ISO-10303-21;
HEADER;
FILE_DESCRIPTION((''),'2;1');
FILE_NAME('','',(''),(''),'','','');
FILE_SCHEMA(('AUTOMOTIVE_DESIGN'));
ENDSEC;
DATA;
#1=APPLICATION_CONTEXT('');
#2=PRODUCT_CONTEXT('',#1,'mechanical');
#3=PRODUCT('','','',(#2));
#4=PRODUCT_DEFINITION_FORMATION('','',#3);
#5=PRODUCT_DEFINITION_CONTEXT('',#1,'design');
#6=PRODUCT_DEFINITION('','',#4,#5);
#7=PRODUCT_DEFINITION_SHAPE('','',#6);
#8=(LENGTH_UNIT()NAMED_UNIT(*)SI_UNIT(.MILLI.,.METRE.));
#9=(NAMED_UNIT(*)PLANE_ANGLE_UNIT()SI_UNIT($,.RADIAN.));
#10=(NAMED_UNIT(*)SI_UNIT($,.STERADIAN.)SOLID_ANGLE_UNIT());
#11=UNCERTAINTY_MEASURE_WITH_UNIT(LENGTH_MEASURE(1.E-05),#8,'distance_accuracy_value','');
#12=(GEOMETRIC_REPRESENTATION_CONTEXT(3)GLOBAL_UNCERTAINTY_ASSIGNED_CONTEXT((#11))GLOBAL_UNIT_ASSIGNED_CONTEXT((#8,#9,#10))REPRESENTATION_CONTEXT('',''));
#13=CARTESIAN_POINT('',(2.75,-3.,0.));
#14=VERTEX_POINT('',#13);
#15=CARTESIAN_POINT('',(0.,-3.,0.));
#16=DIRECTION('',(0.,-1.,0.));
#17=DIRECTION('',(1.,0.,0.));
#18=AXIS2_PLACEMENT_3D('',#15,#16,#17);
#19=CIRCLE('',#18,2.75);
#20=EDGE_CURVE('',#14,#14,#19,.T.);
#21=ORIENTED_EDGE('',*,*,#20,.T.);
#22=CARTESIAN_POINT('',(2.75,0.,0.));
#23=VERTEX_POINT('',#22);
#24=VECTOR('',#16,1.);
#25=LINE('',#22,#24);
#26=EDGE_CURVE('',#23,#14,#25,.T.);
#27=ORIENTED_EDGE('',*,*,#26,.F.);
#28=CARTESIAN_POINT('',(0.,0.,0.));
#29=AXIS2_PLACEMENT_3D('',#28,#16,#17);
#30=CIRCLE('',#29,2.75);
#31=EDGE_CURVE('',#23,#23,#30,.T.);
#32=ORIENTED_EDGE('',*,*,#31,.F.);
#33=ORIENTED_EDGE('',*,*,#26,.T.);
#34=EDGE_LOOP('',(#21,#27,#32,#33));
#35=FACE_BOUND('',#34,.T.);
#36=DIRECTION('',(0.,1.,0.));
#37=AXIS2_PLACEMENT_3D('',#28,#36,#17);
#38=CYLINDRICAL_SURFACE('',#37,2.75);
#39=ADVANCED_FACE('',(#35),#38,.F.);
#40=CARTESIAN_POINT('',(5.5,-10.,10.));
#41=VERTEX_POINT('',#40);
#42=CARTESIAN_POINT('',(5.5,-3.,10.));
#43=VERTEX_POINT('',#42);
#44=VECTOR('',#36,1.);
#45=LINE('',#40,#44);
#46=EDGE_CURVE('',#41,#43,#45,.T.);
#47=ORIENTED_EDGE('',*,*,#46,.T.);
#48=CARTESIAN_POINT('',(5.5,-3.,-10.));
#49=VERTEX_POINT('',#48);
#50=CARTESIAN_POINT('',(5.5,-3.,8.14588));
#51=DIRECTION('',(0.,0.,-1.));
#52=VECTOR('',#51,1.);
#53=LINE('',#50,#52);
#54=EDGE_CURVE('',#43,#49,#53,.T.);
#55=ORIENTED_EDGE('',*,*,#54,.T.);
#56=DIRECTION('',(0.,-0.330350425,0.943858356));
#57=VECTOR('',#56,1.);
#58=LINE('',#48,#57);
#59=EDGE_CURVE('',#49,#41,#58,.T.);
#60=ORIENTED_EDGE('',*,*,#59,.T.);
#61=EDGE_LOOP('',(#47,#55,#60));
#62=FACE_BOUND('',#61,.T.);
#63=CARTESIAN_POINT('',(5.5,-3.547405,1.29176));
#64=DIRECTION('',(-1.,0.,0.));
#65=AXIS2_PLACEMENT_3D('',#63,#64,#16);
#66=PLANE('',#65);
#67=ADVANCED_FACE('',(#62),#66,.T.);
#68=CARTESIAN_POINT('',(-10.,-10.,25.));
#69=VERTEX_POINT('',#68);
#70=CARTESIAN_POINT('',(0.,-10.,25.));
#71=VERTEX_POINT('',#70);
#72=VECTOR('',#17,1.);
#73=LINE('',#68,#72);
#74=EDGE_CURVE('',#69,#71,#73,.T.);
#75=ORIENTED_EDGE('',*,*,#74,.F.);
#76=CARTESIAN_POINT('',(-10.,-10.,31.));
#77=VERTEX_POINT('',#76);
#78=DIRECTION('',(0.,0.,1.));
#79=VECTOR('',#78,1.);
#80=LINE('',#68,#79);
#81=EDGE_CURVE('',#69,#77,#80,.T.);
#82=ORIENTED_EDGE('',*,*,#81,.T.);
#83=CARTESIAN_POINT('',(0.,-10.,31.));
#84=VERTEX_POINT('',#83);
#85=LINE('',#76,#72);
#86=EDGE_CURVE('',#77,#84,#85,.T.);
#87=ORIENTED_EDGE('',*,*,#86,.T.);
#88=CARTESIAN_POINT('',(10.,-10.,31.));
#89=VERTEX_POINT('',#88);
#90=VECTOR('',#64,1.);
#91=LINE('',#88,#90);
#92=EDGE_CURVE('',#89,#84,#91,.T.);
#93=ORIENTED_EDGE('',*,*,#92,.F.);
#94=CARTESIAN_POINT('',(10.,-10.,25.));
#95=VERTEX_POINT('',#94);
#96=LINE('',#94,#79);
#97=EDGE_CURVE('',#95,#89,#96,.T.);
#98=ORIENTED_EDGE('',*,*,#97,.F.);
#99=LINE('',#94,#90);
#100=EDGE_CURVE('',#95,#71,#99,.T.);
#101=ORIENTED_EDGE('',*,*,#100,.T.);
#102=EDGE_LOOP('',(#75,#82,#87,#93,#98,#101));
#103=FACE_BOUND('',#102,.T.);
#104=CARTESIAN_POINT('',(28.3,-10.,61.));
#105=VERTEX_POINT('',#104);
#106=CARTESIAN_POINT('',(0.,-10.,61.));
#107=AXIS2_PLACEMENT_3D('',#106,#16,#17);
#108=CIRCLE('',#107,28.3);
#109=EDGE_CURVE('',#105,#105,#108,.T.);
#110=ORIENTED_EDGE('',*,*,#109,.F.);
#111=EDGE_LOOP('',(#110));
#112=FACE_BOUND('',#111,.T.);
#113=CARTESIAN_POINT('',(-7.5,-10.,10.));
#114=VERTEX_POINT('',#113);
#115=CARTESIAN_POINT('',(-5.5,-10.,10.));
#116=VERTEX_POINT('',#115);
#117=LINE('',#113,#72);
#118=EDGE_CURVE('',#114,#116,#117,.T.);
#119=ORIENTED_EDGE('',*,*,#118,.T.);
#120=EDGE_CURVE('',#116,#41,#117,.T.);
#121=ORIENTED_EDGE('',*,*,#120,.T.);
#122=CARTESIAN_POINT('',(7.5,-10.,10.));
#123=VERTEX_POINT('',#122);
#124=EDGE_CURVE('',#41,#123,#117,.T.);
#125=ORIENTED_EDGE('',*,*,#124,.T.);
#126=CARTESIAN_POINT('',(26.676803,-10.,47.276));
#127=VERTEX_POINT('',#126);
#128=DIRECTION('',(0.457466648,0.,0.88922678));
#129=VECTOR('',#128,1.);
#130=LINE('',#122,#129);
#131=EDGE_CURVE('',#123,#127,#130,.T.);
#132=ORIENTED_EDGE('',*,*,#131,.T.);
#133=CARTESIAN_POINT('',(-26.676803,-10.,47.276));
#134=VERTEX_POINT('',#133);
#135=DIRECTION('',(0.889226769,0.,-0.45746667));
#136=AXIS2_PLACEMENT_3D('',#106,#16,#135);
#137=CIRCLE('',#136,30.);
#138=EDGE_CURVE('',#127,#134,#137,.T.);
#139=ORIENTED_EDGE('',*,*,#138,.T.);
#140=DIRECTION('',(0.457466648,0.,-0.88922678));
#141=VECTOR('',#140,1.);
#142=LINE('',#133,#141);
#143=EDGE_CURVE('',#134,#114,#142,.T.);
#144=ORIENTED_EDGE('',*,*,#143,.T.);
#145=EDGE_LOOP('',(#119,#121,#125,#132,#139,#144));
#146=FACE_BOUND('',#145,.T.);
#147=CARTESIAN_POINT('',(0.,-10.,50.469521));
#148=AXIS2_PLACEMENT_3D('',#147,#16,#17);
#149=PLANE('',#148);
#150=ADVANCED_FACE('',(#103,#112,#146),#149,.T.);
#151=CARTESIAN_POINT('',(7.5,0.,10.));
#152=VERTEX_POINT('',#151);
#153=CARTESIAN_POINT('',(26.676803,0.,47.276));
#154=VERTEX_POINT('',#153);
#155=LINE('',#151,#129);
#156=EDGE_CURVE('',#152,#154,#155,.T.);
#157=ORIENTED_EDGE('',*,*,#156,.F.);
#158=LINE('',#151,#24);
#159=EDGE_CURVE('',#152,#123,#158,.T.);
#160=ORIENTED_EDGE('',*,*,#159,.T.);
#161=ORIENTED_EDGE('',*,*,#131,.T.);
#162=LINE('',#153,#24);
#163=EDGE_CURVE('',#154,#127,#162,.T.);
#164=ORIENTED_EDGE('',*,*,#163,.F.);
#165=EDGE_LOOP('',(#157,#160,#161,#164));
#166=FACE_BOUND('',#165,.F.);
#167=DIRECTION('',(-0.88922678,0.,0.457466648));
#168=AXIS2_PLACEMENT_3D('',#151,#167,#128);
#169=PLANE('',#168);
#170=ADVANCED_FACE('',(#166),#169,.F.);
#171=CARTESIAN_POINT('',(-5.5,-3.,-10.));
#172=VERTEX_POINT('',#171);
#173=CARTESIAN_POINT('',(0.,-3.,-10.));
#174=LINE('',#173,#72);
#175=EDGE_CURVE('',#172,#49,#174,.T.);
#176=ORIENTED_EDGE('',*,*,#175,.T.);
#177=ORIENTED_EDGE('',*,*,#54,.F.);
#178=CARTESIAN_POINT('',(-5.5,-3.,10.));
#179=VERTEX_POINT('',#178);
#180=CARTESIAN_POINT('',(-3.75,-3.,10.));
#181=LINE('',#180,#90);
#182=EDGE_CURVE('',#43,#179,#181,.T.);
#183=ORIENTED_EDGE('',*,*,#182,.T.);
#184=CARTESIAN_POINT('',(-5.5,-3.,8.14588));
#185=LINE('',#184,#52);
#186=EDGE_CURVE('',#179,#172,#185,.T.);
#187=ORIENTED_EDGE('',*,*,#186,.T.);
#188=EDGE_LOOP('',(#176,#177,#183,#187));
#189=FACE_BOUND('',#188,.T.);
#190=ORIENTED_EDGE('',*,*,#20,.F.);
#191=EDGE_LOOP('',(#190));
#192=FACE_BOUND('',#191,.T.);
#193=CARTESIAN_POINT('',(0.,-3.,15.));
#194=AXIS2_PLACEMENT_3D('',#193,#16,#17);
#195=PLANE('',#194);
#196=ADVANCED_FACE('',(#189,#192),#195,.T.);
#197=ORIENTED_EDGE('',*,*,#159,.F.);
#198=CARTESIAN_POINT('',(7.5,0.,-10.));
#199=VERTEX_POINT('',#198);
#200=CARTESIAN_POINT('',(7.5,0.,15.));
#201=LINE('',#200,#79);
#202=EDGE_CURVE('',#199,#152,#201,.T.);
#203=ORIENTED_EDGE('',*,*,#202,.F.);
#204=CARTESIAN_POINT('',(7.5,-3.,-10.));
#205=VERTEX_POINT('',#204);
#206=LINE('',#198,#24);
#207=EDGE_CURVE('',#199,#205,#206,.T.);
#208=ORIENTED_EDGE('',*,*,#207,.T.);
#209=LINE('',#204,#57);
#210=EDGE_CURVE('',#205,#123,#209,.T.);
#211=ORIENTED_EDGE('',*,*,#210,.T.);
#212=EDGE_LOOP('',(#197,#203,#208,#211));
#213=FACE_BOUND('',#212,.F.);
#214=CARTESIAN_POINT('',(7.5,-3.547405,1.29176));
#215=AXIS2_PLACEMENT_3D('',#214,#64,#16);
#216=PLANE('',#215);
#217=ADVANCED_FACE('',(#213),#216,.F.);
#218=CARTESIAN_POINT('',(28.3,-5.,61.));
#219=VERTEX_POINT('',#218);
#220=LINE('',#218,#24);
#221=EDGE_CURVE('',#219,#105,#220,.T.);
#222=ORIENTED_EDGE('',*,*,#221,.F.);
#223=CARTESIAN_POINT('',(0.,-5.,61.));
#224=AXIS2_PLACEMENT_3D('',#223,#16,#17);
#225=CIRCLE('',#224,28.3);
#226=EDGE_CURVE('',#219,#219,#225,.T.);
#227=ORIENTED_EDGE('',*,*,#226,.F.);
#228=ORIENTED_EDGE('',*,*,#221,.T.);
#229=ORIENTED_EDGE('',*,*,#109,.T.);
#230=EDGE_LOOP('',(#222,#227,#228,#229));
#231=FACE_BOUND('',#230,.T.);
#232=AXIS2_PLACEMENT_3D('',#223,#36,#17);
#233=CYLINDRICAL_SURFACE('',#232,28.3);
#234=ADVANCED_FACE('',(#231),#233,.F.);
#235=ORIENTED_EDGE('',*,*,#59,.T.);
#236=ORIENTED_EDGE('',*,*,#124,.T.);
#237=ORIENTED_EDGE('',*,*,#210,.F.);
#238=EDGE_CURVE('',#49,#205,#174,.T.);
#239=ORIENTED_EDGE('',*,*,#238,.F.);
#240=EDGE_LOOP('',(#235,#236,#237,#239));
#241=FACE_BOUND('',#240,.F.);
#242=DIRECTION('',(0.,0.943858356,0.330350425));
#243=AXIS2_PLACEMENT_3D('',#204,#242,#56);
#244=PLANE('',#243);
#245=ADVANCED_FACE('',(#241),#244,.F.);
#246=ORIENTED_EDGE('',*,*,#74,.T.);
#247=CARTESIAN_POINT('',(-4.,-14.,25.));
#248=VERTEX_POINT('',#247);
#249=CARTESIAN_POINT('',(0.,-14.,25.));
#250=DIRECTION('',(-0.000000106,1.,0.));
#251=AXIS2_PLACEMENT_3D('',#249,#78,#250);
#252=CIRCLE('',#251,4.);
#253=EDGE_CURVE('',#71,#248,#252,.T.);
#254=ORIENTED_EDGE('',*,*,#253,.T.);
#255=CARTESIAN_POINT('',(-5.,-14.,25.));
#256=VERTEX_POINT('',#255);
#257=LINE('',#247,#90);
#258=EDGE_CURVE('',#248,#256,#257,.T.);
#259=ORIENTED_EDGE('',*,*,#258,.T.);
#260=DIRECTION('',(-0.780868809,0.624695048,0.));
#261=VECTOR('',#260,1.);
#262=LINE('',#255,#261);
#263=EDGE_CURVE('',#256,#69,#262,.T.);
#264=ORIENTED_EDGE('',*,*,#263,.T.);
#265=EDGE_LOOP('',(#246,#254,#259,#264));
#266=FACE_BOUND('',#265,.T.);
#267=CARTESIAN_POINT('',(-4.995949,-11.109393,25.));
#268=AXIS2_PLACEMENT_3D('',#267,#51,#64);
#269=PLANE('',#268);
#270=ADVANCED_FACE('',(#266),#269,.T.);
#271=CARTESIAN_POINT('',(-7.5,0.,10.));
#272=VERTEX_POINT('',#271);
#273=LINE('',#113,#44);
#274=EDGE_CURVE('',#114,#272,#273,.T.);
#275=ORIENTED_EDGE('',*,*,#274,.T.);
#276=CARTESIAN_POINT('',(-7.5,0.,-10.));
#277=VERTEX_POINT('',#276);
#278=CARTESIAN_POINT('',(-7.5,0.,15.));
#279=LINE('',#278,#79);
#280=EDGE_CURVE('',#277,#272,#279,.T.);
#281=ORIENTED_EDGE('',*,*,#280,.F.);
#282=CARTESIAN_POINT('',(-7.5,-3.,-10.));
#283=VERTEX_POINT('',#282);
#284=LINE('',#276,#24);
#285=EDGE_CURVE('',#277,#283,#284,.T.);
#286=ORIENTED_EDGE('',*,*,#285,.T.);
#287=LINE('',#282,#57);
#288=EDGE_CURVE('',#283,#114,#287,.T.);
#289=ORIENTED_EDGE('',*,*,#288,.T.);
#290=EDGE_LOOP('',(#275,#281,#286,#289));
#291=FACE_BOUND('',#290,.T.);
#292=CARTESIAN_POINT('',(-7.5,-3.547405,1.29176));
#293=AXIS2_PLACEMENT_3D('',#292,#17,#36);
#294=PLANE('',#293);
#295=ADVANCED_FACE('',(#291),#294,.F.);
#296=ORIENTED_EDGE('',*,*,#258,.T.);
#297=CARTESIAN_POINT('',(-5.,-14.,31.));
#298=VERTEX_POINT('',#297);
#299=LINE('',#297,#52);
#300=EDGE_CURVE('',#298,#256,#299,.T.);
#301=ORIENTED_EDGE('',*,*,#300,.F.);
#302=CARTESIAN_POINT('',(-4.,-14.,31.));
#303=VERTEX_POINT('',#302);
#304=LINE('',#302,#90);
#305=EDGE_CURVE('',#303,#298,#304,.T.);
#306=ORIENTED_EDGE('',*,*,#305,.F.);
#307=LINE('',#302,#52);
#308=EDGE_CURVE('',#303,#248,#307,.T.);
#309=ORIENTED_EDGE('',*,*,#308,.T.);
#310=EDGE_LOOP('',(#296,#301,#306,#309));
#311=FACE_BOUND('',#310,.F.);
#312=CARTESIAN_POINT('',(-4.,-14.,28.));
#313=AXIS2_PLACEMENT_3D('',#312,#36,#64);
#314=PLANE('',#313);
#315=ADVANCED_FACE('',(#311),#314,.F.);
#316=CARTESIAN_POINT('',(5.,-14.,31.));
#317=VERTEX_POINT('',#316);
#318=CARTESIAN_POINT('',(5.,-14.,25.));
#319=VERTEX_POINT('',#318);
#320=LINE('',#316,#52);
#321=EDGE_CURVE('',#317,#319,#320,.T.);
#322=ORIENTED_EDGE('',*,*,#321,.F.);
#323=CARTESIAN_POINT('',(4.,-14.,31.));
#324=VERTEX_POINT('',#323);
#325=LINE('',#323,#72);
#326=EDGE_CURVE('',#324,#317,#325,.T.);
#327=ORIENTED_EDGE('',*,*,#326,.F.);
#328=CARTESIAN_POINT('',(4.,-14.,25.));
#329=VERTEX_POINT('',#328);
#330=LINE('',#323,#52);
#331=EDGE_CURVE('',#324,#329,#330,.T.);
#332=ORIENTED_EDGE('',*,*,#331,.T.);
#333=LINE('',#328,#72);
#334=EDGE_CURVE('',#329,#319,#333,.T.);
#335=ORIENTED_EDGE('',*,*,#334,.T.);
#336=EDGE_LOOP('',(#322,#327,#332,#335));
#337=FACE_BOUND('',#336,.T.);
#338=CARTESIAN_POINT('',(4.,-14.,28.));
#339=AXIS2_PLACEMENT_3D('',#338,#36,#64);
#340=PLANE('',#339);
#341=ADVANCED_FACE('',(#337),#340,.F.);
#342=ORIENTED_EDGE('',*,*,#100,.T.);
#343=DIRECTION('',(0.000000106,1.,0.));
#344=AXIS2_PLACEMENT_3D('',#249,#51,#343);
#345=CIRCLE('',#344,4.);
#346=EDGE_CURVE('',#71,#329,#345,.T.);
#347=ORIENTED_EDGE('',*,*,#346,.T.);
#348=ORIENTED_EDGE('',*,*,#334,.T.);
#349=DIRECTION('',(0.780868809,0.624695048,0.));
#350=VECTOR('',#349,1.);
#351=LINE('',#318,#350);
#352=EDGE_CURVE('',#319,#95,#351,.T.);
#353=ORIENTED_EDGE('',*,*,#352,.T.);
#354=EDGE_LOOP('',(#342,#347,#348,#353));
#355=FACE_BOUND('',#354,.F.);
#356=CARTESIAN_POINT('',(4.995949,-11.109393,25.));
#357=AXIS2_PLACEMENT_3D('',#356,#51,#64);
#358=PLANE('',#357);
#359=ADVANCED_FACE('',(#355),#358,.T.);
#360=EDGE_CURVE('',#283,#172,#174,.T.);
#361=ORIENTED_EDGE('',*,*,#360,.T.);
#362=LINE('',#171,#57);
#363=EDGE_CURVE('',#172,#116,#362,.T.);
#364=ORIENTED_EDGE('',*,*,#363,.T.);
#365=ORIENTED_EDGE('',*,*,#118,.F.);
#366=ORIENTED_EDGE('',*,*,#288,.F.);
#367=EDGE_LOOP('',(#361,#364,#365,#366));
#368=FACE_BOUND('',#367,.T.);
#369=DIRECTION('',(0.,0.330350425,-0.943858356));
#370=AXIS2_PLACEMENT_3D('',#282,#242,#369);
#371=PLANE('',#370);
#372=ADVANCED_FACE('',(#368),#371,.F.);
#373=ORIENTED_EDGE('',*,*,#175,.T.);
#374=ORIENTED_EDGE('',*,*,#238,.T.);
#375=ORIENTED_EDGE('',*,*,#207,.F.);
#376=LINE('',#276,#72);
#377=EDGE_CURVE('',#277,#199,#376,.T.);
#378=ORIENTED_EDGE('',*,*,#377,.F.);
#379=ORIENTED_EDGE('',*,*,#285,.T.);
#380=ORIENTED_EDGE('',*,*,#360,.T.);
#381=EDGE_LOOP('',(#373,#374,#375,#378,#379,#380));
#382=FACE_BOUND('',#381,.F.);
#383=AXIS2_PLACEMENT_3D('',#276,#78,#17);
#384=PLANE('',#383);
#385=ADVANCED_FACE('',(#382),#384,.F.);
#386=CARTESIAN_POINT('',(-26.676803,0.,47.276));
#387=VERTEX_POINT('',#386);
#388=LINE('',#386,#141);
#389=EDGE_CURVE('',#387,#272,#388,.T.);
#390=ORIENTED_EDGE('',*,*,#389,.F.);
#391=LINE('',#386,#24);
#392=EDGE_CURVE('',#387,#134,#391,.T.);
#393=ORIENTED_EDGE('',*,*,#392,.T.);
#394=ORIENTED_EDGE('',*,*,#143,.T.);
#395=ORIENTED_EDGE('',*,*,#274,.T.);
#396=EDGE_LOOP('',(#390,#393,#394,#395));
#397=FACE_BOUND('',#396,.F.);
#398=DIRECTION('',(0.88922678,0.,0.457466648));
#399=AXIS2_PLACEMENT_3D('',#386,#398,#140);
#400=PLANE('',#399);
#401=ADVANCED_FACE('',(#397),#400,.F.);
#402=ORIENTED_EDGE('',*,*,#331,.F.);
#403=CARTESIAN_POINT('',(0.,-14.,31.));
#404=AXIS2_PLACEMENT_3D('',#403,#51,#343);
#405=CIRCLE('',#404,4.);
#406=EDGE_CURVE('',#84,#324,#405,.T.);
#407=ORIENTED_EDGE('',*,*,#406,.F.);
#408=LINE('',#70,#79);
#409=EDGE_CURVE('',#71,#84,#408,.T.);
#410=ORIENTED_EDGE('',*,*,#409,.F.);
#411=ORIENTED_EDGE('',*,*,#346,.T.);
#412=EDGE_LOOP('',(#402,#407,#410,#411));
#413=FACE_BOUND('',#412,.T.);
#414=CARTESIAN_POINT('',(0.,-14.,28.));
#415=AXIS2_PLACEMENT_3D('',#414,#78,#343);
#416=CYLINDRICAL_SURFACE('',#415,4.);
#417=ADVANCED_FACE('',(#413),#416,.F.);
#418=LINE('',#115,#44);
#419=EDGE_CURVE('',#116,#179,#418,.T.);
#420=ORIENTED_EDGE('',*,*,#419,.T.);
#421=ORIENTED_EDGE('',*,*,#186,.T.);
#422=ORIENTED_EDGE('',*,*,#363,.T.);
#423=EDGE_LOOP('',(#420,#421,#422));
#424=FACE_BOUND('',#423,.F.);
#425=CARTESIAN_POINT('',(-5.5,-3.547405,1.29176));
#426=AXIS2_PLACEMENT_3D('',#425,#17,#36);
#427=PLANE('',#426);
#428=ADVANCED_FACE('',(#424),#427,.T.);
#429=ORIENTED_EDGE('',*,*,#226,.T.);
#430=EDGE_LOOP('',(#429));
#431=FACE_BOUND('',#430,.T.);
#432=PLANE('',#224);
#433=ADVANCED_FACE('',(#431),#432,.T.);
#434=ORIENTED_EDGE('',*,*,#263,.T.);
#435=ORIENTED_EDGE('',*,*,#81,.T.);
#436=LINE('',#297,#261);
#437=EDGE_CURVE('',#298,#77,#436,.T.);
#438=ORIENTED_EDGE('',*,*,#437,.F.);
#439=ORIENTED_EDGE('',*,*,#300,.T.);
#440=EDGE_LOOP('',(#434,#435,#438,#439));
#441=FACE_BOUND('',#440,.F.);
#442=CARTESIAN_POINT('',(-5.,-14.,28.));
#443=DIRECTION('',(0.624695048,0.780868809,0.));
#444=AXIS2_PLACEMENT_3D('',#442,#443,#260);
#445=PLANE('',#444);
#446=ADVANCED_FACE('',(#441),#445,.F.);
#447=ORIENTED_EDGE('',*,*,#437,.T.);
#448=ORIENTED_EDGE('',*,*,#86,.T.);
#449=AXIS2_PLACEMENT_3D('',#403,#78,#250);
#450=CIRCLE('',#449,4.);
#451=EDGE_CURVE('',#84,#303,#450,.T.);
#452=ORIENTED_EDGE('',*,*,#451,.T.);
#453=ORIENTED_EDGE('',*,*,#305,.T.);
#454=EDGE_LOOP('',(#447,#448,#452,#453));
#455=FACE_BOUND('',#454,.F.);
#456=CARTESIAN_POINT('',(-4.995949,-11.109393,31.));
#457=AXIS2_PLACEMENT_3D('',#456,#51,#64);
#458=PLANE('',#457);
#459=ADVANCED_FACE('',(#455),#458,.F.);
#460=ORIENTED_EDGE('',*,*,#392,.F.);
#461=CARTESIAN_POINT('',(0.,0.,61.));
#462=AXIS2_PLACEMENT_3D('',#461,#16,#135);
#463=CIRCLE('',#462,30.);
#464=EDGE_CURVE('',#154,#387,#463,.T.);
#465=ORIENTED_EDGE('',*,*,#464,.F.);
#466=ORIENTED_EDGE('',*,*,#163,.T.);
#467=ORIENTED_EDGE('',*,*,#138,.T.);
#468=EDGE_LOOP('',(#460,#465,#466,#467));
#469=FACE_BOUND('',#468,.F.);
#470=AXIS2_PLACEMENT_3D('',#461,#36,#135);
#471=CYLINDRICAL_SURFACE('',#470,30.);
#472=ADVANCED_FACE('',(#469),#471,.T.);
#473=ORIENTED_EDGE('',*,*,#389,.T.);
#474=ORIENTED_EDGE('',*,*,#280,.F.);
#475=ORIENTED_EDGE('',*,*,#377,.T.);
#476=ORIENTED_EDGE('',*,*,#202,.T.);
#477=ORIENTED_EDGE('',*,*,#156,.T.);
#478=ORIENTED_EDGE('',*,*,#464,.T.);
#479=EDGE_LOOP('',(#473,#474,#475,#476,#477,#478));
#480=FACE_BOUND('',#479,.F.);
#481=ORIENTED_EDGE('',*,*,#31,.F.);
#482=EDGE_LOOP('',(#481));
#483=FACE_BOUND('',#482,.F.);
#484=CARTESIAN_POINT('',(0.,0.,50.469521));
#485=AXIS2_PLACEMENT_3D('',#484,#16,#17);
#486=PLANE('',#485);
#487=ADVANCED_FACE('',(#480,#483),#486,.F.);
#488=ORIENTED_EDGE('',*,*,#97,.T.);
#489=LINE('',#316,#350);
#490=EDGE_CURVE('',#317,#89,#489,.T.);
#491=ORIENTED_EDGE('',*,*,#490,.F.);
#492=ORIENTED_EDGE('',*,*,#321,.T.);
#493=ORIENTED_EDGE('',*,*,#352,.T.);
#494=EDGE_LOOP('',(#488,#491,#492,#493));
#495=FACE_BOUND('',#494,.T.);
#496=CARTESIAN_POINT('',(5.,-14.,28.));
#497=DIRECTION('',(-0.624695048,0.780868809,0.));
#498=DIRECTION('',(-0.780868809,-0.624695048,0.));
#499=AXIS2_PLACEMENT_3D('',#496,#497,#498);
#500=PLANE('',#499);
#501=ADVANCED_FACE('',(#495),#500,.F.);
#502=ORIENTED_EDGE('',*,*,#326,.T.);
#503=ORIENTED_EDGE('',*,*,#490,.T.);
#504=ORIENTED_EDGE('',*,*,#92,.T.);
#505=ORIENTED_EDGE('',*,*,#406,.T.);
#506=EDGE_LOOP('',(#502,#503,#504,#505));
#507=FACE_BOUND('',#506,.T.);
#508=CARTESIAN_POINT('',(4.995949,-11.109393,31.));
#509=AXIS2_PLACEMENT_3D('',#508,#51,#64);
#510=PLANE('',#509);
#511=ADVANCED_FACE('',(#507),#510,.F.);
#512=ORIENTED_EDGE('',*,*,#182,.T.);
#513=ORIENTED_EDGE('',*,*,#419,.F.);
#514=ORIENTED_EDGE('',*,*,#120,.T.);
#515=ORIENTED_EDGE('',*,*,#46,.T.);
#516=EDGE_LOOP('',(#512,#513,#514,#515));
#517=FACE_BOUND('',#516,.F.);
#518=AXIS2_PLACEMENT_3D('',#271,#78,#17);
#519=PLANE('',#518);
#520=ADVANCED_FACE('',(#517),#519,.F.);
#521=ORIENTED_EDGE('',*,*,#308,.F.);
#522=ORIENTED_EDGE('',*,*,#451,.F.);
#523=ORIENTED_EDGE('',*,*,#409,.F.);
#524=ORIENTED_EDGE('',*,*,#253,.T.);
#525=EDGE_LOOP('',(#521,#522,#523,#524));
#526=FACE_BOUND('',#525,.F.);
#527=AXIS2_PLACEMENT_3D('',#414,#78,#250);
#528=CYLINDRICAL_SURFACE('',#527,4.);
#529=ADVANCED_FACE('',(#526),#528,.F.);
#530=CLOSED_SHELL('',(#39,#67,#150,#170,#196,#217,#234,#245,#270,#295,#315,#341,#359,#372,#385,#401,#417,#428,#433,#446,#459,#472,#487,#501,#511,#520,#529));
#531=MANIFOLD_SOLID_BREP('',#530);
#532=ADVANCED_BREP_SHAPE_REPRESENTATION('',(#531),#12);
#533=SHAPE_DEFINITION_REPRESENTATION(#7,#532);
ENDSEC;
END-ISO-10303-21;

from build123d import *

# Parameters (mm, degrees)
SKETCH_W     = 15
SKETCH_H     = 50
SKETCH_R     = 2.75
PAD_DEPTH    = 3
PAD002_DEPTH = 10
SKETCH004_R  = 28.3
POCKET_DEPTH = 5
PAD003_DEPTH = 3
PAD004_DEPTH = 2


with BuildPart() as part:
    # Sketch → Pad (new body)
    with BuildSketch(Plane.XZ):
        with Locations((0, 15)):
            Rectangle(SKETCH_W, SKETCH_H)
        Circle(SKETCH_R, mode=Mode.SUBTRACT)
    extrude(amount=PAD_DEPTH)

    # Sketch003 → Pad002 (join)
    with BuildSketch(Plane.XZ):
        with BuildLine():
            ThreePointArc((26.676803, 47.276), (0, 91), (-26.676803, 47.276))
            Line((-26.676803, 47.276), (-7.5, 10))
            Line((-7.5, 10), (7.5, 10))
            Line((7.5, 10), (26.676803, 47.276))
        make_face()
    extrude(amount=PAD002_DEPTH)

    # Sketch004 (on DatumPlane) → Pocket (cut)
    with BuildSketch(Plane.XZ.offset(5)):
        with Locations((0, 61)):
            Circle(SKETCH004_R)
    extrude(amount=POCKET_DEPTH, mode=Mode.SUBTRACT)

    # Sketch006 (on DatumPlane) → Pad003 (join, symmetric)
    with BuildSketch(Plane.XY.offset(28)):
        with BuildLine():
            ThreePointArc((0, -10), (-2.828427, -11.171573), (-4, -14))
            Line((-4, -14), (-5, -14))
            Line((-5, -14), (-10, -10))
            Line((-10, -10), (0, -10))
        make_face()
    pad003 = extrude(amount=PAD003_DEPTH, both=True)

    # Mirrored: Pad003 across Sketch006 V_Axis
    add(pad003.mirror(Plane(origin=(0, 0, 28), x_dir=(0, 0, 1), z_dir=(1, 0, 0))))

    # Sketch007 (on DatumPlane) → Pad004 (join)
    with BuildSketch(Plane.YZ.offset(7.5)):
        Polygon((-3, -10), (-10, 10), (0, 10), (0, -10), align=None)
    pad004 = extrude(amount=-PAD004_DEPTH)

    # Mirrored001: Pad004 across YZ
    add(pad004.mirror(Plane.YZ))


solid = part.part
